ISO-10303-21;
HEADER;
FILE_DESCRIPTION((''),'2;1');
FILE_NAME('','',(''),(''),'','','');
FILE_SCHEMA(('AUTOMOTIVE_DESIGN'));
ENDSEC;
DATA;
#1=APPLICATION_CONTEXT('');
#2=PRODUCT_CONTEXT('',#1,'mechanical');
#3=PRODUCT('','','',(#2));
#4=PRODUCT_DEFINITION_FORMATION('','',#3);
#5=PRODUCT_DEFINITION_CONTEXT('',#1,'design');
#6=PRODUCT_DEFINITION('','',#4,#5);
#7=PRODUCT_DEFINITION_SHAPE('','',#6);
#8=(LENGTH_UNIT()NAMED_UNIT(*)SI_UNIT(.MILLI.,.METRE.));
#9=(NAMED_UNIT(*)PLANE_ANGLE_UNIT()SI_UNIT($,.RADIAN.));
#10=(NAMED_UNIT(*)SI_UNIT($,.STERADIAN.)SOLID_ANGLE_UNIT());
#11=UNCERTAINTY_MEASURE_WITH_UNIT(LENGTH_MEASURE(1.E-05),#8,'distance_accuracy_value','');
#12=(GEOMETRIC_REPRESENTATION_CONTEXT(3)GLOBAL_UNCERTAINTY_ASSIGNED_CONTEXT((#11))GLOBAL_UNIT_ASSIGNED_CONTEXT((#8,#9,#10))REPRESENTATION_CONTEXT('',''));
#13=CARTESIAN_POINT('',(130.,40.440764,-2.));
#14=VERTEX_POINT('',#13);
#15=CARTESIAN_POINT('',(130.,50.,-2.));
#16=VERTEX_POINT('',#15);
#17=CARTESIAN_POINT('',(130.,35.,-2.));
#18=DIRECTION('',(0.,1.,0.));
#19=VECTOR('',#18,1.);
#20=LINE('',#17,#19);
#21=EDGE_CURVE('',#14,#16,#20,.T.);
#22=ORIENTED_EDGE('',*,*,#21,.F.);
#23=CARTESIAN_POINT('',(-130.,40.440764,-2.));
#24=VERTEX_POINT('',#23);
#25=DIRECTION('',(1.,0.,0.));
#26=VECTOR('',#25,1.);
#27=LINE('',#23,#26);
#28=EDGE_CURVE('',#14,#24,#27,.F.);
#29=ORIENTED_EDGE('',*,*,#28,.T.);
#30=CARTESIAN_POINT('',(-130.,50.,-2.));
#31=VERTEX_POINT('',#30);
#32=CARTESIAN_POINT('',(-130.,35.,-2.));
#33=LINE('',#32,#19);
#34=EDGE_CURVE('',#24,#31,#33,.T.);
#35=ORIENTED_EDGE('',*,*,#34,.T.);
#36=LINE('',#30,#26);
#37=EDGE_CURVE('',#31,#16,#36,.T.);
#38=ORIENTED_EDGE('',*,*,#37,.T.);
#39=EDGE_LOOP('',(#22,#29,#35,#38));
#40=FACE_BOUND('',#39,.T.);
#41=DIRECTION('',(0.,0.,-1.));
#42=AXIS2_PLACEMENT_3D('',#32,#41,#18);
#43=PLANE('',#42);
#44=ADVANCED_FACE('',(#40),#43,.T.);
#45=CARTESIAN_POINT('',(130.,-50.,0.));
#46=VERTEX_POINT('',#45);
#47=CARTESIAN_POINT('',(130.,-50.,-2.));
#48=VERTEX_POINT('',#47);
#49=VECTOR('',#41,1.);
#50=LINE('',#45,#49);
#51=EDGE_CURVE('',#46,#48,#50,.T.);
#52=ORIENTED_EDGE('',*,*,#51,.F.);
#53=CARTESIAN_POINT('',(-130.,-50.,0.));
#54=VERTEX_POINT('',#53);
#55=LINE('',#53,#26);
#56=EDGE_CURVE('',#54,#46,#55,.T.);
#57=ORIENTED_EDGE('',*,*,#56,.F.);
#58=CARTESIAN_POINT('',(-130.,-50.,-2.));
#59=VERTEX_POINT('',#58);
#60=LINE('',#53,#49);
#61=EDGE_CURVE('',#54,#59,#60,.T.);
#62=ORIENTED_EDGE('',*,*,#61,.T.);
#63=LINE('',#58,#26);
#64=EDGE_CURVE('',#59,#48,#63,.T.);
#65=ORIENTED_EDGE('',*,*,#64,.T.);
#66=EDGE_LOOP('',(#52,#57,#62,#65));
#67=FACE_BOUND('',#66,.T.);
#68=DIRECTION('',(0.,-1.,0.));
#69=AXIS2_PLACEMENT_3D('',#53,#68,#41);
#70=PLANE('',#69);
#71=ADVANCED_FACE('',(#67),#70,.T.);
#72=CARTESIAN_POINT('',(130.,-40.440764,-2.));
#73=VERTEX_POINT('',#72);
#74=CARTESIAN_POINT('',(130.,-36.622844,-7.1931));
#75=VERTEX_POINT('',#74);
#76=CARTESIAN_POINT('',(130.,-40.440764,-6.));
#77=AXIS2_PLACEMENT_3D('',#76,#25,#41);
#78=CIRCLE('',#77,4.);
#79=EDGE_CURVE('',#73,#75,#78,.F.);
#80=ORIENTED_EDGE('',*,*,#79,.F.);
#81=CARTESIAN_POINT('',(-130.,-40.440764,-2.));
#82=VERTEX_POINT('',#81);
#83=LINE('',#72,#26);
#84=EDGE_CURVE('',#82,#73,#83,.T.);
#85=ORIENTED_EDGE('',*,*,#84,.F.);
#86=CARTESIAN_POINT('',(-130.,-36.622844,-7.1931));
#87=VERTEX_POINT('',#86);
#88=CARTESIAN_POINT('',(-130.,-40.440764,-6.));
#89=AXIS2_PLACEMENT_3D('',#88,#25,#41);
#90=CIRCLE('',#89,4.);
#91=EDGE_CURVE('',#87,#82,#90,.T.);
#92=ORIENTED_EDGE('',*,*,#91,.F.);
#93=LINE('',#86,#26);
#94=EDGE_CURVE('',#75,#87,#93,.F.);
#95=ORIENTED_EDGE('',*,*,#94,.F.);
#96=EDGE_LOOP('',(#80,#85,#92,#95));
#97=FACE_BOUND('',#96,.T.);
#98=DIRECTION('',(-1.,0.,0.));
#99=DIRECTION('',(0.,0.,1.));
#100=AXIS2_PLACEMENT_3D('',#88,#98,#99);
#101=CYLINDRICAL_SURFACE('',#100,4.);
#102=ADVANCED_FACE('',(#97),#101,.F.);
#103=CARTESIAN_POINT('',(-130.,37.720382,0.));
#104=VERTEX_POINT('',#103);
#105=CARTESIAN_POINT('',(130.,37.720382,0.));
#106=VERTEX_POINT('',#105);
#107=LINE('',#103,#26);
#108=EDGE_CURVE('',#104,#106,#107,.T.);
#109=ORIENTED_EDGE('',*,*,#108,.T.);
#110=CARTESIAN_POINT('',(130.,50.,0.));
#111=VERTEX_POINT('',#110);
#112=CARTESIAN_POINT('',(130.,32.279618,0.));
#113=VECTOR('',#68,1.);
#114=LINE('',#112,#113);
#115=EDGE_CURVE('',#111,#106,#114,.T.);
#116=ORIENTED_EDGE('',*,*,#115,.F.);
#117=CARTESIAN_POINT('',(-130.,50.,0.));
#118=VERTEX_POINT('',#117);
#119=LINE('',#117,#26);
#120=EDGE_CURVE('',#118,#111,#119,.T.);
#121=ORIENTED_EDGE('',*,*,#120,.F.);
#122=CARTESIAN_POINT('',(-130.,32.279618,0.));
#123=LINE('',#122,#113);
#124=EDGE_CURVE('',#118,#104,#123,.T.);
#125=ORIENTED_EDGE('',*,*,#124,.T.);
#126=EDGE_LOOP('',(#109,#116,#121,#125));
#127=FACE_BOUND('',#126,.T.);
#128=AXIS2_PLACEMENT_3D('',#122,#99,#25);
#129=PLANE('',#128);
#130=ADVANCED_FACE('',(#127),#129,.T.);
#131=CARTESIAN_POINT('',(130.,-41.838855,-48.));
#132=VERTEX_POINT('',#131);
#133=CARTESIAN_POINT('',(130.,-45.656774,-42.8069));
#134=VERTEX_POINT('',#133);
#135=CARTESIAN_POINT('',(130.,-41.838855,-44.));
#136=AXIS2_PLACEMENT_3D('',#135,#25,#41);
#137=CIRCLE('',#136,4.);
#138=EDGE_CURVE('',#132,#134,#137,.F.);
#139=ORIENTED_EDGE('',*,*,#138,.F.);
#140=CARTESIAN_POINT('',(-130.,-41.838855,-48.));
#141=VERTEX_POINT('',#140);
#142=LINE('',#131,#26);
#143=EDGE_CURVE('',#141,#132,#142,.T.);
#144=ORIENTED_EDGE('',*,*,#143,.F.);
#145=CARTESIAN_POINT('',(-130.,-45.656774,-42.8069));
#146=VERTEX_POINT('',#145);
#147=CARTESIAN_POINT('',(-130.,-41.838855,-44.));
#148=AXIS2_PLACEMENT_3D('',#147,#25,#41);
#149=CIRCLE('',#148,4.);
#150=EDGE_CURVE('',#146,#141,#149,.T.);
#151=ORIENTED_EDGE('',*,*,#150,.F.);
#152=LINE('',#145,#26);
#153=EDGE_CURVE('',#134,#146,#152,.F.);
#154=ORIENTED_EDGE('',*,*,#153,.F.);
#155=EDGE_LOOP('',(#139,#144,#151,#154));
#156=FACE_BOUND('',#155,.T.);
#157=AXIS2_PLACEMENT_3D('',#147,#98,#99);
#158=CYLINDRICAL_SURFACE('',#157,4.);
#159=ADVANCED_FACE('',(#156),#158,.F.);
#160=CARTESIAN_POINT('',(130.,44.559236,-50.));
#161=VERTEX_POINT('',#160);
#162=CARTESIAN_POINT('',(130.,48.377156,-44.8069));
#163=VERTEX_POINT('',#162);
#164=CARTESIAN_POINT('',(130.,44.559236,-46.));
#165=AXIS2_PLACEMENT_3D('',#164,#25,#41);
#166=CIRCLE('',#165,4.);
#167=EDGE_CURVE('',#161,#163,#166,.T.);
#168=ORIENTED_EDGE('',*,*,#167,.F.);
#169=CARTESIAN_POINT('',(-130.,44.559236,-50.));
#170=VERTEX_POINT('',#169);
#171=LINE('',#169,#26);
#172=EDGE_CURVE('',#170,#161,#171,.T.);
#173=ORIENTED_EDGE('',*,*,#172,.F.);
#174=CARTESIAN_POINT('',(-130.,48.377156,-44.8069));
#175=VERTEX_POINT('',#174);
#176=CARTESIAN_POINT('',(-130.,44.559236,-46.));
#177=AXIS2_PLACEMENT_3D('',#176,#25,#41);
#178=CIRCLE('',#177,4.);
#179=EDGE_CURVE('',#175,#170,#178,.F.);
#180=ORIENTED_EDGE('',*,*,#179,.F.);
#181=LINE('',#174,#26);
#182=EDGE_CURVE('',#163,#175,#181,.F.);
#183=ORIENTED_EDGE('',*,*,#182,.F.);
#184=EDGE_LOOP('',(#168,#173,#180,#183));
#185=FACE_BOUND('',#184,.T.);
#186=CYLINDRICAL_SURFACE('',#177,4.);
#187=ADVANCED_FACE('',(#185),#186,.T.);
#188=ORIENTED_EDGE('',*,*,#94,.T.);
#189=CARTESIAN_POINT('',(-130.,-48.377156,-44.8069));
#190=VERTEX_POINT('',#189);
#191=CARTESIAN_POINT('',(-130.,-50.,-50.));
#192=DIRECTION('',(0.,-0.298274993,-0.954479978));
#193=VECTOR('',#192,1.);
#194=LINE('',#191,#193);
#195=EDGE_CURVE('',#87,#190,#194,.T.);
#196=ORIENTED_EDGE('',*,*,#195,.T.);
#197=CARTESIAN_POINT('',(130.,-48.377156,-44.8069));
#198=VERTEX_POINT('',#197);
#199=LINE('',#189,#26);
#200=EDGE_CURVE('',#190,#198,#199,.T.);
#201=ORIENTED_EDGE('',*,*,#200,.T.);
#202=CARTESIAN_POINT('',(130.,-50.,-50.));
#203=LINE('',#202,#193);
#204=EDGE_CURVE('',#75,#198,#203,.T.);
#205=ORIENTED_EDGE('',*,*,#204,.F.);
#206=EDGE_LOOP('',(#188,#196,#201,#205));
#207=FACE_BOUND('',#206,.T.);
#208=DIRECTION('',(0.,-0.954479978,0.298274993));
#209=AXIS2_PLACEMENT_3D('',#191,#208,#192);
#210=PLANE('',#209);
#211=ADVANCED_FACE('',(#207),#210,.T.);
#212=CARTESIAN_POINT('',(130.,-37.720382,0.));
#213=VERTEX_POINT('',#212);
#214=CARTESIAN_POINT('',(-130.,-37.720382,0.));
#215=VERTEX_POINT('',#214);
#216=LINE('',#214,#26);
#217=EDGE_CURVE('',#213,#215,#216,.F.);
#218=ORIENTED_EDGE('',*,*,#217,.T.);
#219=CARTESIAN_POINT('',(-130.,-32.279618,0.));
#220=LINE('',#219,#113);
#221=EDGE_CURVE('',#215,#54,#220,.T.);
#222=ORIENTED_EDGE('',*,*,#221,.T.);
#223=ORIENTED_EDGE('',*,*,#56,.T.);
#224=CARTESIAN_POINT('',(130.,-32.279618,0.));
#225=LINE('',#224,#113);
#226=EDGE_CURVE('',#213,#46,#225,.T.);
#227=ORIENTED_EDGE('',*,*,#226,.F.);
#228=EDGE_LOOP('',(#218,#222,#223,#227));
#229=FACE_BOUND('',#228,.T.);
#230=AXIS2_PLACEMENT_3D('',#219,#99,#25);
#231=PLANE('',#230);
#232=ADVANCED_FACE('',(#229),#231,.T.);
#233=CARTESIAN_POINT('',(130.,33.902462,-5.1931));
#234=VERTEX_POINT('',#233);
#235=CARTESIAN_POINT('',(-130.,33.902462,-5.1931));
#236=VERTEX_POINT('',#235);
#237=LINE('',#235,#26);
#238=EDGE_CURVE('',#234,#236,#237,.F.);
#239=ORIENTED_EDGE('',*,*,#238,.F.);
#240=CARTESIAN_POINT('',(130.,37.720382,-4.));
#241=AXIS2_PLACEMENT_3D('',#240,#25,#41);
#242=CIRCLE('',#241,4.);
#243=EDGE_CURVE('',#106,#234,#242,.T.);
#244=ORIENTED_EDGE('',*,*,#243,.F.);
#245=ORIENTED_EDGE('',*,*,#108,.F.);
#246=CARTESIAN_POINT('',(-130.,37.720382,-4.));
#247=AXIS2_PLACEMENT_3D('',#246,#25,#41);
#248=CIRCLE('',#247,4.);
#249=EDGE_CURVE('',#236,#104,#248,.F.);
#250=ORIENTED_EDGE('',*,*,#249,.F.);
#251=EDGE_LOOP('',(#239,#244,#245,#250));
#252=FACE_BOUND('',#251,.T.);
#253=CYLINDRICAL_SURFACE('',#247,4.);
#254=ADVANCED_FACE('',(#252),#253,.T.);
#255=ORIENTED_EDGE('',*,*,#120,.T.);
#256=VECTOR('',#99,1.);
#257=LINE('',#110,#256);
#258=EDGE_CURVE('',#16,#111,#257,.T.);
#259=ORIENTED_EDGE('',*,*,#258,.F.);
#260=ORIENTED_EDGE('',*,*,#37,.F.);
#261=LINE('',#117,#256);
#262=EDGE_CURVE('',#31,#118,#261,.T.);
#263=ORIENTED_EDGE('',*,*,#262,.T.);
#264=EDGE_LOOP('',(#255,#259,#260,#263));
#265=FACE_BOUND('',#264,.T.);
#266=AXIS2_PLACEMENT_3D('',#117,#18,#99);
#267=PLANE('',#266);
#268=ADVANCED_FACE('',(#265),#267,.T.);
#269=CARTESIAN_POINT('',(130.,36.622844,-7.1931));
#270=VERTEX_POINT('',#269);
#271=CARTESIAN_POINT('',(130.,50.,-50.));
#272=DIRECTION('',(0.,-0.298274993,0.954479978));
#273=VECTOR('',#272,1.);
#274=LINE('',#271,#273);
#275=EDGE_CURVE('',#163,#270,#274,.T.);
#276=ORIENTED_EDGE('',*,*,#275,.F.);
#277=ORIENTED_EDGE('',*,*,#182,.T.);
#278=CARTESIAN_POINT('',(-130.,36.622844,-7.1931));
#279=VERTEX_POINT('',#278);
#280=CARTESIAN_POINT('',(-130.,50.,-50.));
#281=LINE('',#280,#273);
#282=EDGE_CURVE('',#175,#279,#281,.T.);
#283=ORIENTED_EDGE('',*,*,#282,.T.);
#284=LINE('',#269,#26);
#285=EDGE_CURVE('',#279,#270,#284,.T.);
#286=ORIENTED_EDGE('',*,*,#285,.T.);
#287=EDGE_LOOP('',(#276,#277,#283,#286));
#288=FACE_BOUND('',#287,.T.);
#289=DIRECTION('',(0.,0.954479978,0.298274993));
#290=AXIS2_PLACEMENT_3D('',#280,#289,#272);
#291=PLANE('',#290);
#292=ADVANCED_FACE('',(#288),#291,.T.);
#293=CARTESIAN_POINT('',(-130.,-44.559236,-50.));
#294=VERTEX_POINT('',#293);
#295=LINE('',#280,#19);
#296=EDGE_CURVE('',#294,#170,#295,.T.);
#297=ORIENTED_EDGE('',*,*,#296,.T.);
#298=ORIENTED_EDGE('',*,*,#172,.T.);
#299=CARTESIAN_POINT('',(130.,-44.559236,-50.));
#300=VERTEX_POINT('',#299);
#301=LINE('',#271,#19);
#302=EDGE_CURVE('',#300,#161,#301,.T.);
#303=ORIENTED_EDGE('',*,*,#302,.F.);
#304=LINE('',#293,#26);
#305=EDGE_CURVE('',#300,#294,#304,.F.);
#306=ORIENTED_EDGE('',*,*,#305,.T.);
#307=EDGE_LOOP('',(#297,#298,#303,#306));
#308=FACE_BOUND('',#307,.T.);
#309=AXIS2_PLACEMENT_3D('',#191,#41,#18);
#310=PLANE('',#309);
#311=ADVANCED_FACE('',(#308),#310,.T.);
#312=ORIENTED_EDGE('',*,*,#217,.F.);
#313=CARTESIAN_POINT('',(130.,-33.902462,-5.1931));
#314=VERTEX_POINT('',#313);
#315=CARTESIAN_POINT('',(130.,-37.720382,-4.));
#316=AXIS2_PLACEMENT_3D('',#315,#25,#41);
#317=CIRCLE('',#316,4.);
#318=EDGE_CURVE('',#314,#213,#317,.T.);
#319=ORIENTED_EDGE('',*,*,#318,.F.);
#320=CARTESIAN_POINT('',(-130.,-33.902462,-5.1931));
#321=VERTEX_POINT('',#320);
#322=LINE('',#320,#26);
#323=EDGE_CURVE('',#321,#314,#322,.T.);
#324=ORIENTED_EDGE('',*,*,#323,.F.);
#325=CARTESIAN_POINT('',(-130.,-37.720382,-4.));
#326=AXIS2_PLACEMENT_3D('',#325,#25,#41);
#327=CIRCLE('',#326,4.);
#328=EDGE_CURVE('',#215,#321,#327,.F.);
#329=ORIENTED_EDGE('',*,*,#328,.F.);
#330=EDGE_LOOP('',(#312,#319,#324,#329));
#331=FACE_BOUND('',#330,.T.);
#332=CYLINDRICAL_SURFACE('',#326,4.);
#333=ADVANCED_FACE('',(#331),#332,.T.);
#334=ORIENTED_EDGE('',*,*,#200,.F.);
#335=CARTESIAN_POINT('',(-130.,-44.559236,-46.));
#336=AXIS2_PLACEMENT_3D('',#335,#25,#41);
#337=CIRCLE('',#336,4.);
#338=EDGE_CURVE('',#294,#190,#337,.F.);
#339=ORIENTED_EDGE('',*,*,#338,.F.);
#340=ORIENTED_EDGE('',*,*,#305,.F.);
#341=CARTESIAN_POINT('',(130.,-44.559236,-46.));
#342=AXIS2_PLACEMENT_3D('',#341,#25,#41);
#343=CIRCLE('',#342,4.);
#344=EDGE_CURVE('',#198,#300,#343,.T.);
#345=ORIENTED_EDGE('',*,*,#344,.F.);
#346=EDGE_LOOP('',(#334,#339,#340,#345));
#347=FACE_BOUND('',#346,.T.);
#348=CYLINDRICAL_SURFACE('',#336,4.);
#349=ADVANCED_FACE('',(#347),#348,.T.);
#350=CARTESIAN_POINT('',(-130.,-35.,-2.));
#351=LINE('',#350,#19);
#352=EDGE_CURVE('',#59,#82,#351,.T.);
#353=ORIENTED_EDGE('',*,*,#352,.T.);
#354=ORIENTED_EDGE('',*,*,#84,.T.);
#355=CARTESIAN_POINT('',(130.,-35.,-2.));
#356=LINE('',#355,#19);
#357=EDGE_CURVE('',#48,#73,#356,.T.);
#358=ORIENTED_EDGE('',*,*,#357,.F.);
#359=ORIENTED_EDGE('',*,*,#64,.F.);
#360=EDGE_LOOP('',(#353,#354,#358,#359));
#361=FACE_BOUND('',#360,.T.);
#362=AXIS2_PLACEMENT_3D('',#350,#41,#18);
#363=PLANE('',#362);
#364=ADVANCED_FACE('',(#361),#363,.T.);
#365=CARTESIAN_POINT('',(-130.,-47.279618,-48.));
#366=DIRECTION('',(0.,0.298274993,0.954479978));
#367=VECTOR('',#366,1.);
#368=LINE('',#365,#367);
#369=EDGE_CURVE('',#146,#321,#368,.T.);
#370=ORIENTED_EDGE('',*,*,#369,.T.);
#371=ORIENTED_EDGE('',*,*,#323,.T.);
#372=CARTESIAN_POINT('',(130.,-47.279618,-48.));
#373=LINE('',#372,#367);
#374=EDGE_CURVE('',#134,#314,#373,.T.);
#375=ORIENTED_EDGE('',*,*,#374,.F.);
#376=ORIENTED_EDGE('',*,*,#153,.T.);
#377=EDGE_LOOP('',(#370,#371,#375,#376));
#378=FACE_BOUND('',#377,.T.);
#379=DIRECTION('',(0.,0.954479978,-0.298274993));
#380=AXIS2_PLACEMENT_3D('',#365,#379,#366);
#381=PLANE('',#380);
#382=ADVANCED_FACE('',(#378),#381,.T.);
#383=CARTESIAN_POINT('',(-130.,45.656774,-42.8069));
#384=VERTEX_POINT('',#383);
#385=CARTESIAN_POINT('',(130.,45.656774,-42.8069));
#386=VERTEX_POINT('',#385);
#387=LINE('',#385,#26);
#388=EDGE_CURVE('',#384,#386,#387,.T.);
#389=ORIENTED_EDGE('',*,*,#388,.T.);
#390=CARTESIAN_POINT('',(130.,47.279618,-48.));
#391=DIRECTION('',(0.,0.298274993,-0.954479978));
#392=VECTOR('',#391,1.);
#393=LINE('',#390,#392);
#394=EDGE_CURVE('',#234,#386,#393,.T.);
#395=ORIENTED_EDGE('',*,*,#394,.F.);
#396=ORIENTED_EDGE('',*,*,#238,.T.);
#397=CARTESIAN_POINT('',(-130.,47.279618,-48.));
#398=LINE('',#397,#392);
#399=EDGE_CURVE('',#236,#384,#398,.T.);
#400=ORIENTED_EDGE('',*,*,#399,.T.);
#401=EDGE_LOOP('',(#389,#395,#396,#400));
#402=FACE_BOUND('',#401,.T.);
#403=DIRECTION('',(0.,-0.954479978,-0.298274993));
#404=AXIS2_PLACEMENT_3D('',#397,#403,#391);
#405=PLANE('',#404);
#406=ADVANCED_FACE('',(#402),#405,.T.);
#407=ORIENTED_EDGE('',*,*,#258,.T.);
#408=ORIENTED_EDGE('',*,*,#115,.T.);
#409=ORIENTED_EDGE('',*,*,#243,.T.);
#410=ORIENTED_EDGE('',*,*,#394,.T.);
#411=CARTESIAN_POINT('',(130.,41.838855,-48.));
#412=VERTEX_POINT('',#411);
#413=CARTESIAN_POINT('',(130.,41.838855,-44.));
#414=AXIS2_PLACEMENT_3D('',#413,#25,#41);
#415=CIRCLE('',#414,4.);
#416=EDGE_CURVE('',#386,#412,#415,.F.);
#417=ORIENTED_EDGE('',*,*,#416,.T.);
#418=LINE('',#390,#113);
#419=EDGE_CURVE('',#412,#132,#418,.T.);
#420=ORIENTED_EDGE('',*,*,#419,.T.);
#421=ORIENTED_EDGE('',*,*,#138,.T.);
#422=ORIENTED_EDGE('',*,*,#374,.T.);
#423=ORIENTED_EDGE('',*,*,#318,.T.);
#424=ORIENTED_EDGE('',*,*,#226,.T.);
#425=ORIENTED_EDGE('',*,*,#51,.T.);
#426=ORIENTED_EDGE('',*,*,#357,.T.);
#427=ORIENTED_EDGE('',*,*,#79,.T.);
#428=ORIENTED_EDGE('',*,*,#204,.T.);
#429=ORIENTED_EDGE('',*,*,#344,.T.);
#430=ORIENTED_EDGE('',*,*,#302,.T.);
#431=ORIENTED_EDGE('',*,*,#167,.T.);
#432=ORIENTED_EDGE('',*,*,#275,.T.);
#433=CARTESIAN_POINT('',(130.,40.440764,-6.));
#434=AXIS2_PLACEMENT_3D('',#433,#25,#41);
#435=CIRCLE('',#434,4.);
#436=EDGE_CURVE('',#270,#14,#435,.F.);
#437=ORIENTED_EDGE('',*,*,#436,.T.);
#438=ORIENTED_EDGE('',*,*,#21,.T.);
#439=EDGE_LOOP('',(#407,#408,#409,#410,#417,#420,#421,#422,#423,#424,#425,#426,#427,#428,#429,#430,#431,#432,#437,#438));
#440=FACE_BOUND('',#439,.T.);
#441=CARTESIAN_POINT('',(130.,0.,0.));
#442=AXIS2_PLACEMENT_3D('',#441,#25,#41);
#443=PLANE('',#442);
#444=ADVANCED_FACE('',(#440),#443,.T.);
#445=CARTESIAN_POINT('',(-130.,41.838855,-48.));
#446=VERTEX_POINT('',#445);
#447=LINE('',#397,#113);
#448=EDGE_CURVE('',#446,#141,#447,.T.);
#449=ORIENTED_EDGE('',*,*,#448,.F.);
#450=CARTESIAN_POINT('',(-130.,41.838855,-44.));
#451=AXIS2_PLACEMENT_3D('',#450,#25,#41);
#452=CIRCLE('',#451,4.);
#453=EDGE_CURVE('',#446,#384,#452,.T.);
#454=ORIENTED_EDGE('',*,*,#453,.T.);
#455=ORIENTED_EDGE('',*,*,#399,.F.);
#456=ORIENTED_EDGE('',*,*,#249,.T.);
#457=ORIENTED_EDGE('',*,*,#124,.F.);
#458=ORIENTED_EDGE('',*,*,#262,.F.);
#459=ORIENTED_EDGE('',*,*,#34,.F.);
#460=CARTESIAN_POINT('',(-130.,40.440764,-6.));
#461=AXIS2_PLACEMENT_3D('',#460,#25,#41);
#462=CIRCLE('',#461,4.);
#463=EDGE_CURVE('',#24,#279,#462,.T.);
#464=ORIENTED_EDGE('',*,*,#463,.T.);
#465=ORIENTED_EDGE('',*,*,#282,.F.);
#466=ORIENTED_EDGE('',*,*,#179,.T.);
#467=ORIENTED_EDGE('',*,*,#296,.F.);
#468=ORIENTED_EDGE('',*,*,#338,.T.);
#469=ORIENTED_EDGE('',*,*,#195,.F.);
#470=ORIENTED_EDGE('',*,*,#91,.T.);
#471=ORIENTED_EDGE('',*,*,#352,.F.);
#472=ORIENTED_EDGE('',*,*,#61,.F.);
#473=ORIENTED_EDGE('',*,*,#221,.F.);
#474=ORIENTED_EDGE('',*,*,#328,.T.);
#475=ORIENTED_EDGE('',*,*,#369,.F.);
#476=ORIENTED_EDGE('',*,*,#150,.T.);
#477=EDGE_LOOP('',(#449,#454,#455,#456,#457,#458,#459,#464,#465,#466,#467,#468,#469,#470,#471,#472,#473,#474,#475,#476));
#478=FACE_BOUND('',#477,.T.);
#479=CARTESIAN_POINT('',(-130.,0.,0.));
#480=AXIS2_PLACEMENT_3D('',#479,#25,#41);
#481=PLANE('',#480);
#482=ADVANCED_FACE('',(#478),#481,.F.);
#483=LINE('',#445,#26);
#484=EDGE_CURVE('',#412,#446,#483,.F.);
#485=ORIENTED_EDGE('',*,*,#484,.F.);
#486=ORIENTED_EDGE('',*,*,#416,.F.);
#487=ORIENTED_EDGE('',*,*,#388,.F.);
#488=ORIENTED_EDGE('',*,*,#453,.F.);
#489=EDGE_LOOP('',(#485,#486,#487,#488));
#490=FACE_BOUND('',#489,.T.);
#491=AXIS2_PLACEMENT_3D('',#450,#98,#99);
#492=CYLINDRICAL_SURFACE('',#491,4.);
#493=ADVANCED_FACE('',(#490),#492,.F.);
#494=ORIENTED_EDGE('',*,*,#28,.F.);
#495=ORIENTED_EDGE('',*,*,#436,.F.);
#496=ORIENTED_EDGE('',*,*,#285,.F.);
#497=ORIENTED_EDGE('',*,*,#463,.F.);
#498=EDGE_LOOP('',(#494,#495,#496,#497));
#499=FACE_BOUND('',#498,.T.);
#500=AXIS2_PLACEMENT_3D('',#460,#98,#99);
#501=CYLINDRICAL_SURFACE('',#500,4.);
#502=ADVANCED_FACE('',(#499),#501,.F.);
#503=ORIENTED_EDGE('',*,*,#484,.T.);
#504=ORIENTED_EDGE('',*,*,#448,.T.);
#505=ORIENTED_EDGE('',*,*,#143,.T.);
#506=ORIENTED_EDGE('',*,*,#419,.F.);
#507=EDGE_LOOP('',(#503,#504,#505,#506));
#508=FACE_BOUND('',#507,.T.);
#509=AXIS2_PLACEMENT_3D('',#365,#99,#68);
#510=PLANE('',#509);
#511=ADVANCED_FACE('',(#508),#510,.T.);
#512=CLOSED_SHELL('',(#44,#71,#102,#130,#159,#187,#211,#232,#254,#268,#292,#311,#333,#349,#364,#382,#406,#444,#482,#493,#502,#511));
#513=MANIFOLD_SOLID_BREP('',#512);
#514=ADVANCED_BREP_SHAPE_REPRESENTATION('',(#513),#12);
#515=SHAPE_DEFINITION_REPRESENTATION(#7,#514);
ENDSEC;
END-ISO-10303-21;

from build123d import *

# Parameters (mm, degrees)
SALIENTE_EXTRUIR1_DEPTH      = 130
SALIENTE_EXTRUIR1_DEPTH_BACK = 130
REDONDEO1_R                  = 4


with BuildPart() as part:
    # Croquis1 → Saliente-Extruir1 (new, two sides: drawn at the far end of the back side and taken through both)
    with BuildSketch(Plane(origin=(0, 0, 0), x_dir=(0, 0, -1), z_dir=(1, 0, 0)).offset(-SALIENTE_EXTRUIR1_DEPTH_BACK)):
        Polygon((50, 50), (2, 35), (2, 50), (0, 50), (0, 32.279618173), (48, 47.279618173), (48, 0), (48, -47.279618173), (0, -32.279618173), (0, -50), (2, -50), (2, -35), (50, -50), (50, 0), align=None)
    extrude(amount=SALIENTE_EXTRUIR1_DEPTH + SALIENTE_EXTRUIR1_DEPTH_BACK)

    # Redondeo1
    redondeo1_edges = [part.edges().sort_by_distance(p)[0] for p in [
        (0, -50, -50),
        (0, -35, -2),
        (0, -32.279618173, 0),
        (0, -47.279618173, -48),
        (0, 47.279618173, -48),
        (0, 32.279618173, 0),
        (0, 35, -2),
        (0, 50, -50),
    ]]
    fillet(redondeo1_edges, radius=REDONDEO1_R)


solid = part.part
